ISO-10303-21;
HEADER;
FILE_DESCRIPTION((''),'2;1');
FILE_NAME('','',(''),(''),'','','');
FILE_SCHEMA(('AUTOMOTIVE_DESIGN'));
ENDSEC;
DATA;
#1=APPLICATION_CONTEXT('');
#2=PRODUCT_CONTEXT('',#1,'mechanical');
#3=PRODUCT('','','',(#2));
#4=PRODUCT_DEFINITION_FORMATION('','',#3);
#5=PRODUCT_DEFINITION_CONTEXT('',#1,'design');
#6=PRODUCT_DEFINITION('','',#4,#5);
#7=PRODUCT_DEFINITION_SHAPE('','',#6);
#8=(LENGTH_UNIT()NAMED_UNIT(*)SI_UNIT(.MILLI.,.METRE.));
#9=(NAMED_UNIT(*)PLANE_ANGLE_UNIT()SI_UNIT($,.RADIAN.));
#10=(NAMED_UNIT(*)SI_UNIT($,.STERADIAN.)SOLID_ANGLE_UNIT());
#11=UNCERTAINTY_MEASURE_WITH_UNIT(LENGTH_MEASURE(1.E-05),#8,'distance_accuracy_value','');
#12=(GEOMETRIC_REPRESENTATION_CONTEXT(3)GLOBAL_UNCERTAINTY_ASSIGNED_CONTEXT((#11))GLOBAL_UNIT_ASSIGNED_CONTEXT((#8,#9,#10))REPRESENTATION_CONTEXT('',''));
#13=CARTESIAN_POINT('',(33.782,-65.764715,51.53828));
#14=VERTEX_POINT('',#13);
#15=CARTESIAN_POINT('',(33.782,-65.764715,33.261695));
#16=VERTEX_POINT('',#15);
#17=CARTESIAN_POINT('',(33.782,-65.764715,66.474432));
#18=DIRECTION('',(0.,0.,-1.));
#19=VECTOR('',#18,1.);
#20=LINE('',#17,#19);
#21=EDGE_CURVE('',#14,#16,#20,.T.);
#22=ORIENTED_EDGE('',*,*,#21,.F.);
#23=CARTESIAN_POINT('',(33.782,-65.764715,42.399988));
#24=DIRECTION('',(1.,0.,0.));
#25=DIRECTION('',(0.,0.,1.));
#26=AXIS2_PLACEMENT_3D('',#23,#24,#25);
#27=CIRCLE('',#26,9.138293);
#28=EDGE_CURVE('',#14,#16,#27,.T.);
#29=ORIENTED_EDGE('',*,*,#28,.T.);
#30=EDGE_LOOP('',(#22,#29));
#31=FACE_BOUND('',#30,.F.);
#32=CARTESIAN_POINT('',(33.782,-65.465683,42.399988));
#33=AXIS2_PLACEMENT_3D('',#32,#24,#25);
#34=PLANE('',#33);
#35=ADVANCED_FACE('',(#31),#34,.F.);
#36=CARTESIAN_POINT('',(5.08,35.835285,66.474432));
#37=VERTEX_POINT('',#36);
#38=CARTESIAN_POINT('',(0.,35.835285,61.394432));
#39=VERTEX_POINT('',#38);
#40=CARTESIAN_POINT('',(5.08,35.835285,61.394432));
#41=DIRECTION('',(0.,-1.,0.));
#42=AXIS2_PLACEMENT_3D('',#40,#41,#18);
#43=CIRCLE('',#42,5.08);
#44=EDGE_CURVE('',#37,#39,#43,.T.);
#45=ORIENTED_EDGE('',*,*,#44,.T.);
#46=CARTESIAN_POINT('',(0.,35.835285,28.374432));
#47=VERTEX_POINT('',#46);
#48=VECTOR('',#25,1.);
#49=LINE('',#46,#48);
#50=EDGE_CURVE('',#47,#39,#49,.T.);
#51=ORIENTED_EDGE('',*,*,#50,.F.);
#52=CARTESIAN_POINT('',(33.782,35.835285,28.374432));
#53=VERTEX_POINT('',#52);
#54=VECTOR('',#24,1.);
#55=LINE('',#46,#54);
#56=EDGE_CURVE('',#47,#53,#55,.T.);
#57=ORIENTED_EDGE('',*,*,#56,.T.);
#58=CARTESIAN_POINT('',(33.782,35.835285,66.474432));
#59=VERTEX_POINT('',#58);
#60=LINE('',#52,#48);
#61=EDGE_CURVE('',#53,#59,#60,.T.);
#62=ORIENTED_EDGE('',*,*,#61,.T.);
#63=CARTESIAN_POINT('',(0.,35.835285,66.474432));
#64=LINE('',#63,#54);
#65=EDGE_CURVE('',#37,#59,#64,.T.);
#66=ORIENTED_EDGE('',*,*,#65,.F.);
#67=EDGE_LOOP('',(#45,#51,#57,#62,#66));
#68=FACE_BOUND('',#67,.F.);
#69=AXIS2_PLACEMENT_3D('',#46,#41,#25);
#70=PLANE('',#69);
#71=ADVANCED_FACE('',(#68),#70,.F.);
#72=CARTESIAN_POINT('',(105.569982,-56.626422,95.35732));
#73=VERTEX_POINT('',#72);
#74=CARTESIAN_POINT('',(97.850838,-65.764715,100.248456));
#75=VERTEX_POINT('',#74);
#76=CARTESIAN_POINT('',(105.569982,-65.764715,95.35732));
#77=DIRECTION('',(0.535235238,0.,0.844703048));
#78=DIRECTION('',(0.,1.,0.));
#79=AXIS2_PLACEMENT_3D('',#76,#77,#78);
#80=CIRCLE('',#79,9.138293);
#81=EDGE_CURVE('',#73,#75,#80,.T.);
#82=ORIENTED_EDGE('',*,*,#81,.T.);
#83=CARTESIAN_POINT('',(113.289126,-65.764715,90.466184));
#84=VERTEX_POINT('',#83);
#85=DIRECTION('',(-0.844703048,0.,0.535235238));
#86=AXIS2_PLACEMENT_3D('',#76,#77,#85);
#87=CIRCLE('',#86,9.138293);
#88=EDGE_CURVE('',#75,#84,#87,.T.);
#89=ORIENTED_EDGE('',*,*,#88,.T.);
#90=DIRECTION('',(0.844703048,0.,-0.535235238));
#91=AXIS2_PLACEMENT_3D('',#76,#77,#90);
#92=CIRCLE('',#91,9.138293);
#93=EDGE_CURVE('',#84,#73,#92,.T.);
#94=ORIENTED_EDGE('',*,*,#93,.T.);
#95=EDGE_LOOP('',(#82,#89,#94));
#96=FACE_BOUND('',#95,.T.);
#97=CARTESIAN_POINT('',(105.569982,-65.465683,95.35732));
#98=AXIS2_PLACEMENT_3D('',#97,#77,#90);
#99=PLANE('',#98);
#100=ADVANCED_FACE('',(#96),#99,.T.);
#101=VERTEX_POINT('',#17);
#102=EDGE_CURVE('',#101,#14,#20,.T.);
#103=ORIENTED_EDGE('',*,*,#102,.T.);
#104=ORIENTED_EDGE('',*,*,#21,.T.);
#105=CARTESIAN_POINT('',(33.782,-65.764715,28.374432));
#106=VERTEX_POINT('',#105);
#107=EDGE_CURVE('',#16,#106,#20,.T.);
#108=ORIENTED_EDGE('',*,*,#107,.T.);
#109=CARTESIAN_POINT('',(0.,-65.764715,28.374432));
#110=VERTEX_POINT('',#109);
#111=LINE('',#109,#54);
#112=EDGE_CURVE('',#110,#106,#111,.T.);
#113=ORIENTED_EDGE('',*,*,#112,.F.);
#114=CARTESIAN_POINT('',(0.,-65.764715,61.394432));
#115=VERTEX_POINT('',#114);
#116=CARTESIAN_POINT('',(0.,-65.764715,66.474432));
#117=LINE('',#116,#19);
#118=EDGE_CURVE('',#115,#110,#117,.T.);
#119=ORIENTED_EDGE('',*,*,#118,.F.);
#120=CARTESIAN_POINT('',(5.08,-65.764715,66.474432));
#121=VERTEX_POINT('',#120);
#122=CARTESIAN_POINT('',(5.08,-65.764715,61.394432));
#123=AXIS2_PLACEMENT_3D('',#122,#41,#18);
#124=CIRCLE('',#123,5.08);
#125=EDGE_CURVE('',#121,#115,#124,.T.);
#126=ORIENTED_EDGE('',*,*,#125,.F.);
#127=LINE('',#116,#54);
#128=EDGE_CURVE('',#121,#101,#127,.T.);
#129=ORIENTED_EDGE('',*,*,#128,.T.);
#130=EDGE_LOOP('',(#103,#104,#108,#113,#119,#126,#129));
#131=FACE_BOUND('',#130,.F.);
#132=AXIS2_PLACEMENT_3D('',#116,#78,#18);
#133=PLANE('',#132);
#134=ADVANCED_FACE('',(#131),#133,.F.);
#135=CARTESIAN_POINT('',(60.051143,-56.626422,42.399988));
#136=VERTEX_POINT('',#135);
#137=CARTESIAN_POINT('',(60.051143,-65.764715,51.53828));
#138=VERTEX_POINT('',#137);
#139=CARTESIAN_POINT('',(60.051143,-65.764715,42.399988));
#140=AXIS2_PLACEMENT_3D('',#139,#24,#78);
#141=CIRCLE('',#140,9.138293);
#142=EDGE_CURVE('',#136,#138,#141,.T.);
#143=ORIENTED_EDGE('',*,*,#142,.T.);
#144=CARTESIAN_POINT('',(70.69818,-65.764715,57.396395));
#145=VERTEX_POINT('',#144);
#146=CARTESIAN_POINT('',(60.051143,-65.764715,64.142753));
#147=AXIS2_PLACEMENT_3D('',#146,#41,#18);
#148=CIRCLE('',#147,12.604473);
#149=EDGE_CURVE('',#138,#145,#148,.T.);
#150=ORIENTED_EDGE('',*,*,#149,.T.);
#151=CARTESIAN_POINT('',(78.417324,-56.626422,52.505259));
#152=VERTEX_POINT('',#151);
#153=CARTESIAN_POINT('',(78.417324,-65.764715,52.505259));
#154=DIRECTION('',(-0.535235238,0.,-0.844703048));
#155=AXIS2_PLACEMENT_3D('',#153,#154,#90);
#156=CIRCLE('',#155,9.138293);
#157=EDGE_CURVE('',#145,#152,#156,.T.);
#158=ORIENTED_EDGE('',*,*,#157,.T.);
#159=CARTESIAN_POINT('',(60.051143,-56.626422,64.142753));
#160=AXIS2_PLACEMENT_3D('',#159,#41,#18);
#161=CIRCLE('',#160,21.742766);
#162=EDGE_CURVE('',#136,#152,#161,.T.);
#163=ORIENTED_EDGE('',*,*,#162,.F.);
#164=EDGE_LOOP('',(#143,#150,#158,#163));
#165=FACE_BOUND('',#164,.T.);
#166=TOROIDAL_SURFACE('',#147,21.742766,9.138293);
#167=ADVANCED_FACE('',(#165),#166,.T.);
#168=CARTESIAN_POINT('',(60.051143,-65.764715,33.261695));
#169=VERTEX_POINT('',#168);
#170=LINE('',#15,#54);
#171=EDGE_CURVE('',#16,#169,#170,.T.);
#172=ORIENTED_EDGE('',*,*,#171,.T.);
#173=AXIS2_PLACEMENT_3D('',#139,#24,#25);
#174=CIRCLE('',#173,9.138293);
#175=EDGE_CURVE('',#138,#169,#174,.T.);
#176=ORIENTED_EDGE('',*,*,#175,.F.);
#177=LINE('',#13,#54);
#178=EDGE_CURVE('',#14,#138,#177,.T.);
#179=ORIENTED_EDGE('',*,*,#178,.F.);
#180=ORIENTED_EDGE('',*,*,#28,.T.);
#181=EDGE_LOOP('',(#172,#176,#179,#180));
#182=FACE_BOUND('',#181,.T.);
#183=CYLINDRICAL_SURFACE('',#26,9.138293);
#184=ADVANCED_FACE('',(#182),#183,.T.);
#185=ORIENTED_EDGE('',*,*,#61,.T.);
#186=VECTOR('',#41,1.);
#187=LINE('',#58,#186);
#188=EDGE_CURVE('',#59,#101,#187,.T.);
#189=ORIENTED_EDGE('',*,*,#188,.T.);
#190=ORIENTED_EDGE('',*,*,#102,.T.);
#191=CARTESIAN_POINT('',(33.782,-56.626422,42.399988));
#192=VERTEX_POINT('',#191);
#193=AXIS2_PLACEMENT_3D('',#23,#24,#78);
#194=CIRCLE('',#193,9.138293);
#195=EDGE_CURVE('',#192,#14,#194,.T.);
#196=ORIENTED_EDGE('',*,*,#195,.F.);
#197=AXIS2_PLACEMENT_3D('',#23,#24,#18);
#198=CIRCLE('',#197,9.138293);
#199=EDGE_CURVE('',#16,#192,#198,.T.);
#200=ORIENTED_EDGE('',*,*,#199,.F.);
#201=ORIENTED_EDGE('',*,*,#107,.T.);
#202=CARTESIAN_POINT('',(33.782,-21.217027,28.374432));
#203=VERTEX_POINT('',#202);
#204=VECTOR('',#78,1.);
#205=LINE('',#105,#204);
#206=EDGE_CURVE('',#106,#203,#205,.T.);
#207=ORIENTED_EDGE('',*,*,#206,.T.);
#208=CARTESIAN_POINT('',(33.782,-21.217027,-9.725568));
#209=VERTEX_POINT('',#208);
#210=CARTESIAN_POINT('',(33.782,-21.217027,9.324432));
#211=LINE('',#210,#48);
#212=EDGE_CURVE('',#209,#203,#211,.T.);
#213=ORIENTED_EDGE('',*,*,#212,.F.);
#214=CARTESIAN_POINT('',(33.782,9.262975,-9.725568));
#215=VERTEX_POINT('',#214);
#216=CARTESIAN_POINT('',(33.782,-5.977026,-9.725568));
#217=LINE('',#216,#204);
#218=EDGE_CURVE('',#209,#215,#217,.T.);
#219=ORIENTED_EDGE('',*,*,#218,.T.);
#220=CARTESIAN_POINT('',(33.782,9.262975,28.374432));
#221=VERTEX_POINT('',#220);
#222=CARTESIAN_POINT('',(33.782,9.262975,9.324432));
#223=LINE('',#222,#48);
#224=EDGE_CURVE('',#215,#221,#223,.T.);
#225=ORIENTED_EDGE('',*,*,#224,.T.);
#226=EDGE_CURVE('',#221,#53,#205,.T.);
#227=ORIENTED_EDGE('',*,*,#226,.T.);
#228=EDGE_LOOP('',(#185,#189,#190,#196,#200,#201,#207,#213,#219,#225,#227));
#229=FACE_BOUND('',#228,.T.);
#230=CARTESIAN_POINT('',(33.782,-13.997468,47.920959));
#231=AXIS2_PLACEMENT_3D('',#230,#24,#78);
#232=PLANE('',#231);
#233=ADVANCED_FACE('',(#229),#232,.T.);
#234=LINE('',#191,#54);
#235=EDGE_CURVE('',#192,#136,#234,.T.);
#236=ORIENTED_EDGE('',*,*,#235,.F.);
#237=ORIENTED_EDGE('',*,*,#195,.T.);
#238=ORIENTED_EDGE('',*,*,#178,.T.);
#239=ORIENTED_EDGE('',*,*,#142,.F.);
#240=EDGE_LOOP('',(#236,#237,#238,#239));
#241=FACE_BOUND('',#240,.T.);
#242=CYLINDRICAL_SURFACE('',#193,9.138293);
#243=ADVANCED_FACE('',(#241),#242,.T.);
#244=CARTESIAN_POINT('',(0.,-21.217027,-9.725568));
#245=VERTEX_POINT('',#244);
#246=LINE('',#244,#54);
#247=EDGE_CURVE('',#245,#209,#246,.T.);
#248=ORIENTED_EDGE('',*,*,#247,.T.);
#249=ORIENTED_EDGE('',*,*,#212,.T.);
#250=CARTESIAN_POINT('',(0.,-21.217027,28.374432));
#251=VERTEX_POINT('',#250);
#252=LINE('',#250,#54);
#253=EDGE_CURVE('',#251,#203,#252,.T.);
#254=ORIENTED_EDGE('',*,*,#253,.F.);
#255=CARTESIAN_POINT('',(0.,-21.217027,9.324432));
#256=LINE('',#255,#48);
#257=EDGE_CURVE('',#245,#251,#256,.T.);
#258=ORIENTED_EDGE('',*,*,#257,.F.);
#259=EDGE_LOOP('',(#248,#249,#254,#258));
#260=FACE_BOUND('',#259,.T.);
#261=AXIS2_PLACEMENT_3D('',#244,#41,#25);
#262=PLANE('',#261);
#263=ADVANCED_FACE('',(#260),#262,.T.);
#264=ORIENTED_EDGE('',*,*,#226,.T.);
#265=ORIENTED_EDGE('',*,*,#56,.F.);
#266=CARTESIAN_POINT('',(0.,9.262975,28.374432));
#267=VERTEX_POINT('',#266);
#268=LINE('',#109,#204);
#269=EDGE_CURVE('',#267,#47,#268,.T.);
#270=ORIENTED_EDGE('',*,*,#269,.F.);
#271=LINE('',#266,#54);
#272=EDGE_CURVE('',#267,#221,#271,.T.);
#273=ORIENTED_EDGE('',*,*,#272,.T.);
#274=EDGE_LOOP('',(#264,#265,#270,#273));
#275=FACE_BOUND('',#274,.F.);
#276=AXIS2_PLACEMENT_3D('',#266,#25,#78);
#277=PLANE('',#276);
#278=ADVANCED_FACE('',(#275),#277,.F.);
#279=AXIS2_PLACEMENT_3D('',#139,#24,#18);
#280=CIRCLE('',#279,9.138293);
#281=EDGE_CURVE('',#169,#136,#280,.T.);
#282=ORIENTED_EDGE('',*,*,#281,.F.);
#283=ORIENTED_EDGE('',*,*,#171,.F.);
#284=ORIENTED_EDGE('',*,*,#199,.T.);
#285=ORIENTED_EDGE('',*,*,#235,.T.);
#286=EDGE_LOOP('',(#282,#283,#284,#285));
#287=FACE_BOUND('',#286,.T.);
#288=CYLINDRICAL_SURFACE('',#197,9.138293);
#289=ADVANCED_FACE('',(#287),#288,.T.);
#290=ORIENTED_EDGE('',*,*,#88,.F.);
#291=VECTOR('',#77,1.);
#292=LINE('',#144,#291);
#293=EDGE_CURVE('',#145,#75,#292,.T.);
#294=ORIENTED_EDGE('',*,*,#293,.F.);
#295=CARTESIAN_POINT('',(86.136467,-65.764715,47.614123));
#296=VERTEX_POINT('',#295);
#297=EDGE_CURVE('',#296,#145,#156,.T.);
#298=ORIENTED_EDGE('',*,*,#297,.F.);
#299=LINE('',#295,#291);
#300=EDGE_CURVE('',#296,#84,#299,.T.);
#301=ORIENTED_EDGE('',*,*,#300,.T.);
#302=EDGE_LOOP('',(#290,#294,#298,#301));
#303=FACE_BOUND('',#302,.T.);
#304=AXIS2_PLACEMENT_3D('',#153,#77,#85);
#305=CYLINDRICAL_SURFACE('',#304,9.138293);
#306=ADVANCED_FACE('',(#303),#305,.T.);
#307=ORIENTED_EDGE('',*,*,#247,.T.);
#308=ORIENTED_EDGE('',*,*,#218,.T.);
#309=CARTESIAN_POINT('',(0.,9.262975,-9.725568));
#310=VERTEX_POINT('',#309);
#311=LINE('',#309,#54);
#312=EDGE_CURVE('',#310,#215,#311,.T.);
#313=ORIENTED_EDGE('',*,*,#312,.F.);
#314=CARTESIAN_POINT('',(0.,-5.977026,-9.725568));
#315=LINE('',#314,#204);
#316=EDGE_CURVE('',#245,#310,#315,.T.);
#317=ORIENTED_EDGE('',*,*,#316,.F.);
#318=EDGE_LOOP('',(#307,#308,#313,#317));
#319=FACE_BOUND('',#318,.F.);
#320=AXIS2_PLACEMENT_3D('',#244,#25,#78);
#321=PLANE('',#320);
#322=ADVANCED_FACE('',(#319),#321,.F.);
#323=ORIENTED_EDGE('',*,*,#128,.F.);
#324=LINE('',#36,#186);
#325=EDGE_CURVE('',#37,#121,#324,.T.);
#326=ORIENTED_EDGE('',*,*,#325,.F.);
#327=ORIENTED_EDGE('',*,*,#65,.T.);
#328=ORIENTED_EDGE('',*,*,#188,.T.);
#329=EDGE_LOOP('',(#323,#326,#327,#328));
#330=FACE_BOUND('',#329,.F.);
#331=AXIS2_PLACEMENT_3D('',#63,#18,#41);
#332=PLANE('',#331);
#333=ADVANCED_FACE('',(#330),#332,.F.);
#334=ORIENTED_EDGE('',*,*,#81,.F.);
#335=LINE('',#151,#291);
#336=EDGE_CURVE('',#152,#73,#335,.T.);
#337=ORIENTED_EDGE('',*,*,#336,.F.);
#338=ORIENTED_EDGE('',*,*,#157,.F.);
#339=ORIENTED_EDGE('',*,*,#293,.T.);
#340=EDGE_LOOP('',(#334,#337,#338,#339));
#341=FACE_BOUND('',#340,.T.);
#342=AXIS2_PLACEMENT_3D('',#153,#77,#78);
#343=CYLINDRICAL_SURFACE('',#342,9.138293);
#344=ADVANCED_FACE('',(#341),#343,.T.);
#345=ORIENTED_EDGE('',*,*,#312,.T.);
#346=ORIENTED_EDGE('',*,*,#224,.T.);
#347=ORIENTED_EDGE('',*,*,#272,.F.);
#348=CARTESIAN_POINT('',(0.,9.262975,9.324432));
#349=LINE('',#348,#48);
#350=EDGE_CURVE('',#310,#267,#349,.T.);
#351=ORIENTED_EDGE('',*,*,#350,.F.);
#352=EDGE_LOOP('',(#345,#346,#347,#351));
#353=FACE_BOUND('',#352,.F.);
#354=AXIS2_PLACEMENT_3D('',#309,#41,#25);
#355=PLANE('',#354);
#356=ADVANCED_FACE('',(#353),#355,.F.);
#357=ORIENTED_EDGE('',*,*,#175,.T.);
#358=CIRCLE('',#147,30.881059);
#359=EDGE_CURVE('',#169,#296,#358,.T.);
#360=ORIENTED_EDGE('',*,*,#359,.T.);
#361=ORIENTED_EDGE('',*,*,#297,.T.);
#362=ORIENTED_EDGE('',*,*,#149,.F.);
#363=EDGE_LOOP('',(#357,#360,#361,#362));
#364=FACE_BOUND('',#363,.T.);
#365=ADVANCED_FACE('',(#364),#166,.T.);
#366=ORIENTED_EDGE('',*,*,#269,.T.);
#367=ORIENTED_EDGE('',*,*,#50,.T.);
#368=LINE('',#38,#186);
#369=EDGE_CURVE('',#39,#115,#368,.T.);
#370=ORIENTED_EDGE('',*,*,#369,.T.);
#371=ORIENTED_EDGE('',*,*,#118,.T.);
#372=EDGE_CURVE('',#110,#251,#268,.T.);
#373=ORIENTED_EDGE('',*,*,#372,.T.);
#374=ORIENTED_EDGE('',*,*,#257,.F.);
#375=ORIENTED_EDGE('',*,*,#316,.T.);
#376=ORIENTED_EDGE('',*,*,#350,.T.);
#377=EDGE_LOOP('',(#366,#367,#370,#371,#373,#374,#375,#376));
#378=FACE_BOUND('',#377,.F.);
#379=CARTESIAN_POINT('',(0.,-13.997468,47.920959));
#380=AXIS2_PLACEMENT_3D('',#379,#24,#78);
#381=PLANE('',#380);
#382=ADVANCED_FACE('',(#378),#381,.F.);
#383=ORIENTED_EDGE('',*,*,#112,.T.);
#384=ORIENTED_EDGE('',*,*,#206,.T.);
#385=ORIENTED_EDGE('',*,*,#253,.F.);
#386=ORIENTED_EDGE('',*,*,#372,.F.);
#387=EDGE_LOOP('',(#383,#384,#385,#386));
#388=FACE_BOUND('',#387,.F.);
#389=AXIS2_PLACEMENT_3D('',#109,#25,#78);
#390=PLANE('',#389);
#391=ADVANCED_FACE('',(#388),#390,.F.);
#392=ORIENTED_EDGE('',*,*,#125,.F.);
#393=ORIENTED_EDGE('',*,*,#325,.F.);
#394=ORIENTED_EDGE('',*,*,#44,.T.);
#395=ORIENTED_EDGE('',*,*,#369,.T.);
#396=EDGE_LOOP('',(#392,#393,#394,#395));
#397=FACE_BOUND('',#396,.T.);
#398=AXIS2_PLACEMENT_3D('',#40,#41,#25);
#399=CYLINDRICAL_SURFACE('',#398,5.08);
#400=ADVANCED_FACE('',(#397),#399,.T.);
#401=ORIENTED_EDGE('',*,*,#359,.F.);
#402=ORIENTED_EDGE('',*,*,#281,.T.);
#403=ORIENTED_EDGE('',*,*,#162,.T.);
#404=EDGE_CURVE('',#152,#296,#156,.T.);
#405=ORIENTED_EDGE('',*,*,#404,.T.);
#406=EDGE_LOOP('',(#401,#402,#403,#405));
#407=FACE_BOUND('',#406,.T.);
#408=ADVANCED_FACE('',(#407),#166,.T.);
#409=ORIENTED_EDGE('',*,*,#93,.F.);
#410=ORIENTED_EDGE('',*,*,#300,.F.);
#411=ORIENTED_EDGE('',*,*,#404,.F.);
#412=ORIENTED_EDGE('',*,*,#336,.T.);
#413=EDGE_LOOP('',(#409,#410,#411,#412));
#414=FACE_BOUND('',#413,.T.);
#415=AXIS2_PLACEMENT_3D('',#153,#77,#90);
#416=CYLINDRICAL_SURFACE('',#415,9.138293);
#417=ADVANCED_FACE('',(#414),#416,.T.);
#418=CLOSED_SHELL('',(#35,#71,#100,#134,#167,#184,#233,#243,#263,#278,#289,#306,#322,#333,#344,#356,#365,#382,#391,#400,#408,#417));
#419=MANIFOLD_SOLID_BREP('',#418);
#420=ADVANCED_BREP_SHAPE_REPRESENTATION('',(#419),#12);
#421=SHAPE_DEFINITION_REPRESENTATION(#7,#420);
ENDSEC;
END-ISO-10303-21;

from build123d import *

# Parameters (mm, degrees)
F0_W     = 30.4800020866
F0_H     = 16.8474918601
F0_H_2   = 38.1
F1_DEPTH = 33.782
F2_R     = 5.08


with BuildPart() as f1:
    # F0 (on Right) → F1 (new body)
    with BuildSketch(Plane.YZ):
        Polygon((35.8352853537, 66.4744316269), (-65.7647146463, 66.4744316269), (-65.7647146463, 28.3744316269), (-21.2170266578, 28.3744316269), (-21.2170266578, 45.221923487), (9.2629754288, 45.221923487), (9.2629754288, 28.3744316269), (35.8352853537, 28.3744316269), align=None)
        with Locations((-5.9770256145, 36.798177557)):
            Rectangle(F0_W, F0_H)
        with Locations((-5.9770256145, 9.3244316269)):
            Rectangle(F0_W, F0_H_2)
    extrude(amount=F1_DEPTH)

    # F2
    f2_edges = [f1.edges().sort_by_distance(p)[0] for p in [
        (0, -14.964715, 66.474432),
    ]]
    fillet(f2_edges, radius=F2_R)

    # F5: sweep along a path in F4
    with BuildLine(Plane.XZ.offset(65.7647146463)) as f5_path:
        Line((33.782, 42.0884639025), (60.0511431694, 42.0884639025))
        ThreePointArc((60.0511431694, 42.0884639025), (70.6826462574, 44.8201545239), (78.680468738, 52.3385205118))
        Line((78.680468738, 52.3385205118), (105.8331268172, 95.1905814836))
    # F3 (on face) → F5 (sweep)
    with BuildSketch(Plane.YZ.offset(33.782)):
        with BuildLine():
            Line((-65.7647146463, 33.2616948167), (-65.7647146463, 51.53828034))
            ThreePointArc((-65.7647146463, 51.53828034), (-74.903007408, 42.3999875784), (-65.7647146463, 33.2616948167))
        make_face()
        with BuildLine():
            ThreePointArc((-65.7647146463, 33.2616948167), (-59.3029658661, 35.9382387982), (-56.6264218847, 42.3999875784))
            ThreePointArc((-56.6264218847, 42.3999875784), (-59.3029658661, 48.8617363586), (-65.7647146463, 51.53828034))
            Line((-65.7647146463, 51.53828034), (-65.7647146463, 33.2616948167))
        make_face()
    sweep(path=f5_path.line)


solid = f1.part
